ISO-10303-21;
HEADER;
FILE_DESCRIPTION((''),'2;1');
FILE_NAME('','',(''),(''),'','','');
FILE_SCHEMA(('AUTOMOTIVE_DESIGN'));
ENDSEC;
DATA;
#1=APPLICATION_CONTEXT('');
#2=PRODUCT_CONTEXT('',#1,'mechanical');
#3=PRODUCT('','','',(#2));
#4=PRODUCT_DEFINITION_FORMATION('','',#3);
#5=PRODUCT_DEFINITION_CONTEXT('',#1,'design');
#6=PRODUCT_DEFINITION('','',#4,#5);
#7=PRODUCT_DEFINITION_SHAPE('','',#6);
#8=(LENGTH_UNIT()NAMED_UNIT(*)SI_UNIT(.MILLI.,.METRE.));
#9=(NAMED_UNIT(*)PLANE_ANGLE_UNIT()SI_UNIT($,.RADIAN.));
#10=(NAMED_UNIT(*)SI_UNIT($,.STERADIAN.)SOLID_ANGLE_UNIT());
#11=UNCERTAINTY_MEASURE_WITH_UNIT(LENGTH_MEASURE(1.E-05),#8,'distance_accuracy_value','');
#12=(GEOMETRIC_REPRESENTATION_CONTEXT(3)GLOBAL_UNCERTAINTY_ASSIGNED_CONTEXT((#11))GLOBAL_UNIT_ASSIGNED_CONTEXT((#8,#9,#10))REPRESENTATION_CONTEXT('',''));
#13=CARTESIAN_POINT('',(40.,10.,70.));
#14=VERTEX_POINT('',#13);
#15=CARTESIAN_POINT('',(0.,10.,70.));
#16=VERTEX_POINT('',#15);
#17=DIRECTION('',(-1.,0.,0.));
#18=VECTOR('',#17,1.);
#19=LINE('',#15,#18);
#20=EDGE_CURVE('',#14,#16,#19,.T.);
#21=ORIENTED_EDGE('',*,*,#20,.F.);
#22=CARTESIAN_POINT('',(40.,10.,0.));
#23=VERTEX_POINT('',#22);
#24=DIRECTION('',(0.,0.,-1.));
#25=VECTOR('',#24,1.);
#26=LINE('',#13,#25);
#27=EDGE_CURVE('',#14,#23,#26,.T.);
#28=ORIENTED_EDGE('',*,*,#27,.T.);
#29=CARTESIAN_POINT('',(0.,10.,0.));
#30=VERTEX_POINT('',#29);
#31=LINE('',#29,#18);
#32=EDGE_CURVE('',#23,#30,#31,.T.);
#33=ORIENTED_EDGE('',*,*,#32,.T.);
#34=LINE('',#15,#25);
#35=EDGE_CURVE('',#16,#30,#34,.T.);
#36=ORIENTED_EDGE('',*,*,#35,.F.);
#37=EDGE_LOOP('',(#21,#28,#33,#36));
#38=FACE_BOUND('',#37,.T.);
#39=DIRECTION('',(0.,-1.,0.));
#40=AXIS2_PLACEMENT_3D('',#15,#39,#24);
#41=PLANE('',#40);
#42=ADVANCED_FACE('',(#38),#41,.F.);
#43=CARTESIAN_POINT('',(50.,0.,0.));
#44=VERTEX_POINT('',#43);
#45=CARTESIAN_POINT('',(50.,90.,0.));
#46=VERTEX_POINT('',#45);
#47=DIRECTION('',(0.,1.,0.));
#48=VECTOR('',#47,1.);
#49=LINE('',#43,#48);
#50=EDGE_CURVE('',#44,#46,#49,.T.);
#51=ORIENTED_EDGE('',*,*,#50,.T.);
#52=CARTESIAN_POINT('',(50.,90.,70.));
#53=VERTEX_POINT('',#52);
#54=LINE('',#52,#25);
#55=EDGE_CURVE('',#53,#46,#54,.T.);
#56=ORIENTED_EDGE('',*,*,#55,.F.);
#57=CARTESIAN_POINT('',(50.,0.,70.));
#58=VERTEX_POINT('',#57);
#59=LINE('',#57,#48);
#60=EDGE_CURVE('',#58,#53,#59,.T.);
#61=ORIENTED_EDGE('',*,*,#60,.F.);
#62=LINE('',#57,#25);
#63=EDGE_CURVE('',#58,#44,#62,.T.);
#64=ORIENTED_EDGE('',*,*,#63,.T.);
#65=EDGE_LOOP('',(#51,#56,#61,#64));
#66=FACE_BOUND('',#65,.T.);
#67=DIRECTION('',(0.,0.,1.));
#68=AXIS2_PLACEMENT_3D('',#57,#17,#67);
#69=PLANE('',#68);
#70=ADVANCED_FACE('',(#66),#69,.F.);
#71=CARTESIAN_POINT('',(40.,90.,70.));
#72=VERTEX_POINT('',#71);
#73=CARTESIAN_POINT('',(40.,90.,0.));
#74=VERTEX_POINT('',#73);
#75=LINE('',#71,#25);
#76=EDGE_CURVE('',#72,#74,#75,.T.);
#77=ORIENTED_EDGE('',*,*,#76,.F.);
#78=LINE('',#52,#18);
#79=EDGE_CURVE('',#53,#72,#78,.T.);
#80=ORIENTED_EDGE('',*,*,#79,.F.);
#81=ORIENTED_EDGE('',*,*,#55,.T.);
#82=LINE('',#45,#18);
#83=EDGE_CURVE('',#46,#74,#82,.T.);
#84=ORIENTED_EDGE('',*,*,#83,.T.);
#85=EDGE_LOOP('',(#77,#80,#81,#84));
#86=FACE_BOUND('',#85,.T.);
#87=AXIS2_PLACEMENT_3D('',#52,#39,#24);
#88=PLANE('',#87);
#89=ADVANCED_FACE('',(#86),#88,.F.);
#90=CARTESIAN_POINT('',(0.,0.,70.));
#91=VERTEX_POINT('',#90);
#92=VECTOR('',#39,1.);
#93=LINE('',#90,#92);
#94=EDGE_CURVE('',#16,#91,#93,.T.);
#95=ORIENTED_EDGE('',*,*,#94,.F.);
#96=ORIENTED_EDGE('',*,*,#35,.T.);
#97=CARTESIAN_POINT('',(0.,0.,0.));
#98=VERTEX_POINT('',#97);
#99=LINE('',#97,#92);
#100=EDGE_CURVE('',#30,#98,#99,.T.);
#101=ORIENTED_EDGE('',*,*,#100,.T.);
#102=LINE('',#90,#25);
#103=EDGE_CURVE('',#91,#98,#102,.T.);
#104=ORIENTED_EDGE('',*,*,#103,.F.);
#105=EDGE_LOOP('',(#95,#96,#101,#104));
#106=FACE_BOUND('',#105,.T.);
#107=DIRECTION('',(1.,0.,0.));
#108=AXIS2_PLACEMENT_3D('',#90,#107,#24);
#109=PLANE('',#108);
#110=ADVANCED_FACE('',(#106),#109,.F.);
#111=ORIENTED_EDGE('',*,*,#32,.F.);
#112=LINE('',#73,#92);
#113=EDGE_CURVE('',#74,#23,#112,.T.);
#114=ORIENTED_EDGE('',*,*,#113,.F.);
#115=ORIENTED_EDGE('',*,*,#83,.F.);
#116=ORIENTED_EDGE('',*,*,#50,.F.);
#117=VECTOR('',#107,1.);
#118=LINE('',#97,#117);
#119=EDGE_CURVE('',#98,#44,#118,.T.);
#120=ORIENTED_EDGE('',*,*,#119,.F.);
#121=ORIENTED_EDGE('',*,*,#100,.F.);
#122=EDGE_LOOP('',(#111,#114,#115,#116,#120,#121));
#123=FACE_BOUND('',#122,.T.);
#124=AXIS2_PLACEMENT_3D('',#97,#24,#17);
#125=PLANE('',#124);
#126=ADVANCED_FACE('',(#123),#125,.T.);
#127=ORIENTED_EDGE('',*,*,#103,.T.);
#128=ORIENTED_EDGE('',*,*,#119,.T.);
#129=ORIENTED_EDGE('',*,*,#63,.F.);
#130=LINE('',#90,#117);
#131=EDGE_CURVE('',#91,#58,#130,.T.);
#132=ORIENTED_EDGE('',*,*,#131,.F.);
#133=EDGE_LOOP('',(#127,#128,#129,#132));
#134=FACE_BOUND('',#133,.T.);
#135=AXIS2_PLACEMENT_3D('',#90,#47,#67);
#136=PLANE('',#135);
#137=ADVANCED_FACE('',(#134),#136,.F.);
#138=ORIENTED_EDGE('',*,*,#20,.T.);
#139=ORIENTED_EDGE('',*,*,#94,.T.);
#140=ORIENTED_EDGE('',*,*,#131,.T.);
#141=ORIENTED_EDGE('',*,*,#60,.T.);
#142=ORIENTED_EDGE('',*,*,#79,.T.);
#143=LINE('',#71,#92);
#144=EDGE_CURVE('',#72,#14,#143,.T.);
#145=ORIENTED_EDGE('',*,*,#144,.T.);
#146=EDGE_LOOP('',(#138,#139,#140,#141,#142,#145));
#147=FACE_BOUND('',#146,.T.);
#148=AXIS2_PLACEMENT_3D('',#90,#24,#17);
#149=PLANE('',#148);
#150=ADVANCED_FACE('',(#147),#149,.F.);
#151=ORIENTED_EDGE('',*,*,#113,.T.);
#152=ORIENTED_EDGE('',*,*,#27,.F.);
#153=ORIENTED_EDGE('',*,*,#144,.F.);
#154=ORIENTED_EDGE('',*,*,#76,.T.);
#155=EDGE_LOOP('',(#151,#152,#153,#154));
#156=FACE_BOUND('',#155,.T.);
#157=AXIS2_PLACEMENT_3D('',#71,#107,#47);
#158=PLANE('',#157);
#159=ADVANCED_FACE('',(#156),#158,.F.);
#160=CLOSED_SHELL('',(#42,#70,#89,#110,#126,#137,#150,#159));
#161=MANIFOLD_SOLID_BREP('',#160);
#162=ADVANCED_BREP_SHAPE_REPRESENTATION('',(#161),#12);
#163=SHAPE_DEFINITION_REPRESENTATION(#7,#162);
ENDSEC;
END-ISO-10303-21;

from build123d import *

# Parameters (mm, degrees)
BOSS_EXTRUDE1_DEPTH = 70


with BuildPart() as part:
    # Sketch1 → Boss-Extrude1 (new body)
    with BuildSketch(Plane.XY):
        Polygon((0, 0), (50, 0), (50, 90), (40, 90), (40, 10), (0, 10), align=None)
    extrude(amount=BOSS_EXTRUDE1_DEPTH)


solid = part.part
